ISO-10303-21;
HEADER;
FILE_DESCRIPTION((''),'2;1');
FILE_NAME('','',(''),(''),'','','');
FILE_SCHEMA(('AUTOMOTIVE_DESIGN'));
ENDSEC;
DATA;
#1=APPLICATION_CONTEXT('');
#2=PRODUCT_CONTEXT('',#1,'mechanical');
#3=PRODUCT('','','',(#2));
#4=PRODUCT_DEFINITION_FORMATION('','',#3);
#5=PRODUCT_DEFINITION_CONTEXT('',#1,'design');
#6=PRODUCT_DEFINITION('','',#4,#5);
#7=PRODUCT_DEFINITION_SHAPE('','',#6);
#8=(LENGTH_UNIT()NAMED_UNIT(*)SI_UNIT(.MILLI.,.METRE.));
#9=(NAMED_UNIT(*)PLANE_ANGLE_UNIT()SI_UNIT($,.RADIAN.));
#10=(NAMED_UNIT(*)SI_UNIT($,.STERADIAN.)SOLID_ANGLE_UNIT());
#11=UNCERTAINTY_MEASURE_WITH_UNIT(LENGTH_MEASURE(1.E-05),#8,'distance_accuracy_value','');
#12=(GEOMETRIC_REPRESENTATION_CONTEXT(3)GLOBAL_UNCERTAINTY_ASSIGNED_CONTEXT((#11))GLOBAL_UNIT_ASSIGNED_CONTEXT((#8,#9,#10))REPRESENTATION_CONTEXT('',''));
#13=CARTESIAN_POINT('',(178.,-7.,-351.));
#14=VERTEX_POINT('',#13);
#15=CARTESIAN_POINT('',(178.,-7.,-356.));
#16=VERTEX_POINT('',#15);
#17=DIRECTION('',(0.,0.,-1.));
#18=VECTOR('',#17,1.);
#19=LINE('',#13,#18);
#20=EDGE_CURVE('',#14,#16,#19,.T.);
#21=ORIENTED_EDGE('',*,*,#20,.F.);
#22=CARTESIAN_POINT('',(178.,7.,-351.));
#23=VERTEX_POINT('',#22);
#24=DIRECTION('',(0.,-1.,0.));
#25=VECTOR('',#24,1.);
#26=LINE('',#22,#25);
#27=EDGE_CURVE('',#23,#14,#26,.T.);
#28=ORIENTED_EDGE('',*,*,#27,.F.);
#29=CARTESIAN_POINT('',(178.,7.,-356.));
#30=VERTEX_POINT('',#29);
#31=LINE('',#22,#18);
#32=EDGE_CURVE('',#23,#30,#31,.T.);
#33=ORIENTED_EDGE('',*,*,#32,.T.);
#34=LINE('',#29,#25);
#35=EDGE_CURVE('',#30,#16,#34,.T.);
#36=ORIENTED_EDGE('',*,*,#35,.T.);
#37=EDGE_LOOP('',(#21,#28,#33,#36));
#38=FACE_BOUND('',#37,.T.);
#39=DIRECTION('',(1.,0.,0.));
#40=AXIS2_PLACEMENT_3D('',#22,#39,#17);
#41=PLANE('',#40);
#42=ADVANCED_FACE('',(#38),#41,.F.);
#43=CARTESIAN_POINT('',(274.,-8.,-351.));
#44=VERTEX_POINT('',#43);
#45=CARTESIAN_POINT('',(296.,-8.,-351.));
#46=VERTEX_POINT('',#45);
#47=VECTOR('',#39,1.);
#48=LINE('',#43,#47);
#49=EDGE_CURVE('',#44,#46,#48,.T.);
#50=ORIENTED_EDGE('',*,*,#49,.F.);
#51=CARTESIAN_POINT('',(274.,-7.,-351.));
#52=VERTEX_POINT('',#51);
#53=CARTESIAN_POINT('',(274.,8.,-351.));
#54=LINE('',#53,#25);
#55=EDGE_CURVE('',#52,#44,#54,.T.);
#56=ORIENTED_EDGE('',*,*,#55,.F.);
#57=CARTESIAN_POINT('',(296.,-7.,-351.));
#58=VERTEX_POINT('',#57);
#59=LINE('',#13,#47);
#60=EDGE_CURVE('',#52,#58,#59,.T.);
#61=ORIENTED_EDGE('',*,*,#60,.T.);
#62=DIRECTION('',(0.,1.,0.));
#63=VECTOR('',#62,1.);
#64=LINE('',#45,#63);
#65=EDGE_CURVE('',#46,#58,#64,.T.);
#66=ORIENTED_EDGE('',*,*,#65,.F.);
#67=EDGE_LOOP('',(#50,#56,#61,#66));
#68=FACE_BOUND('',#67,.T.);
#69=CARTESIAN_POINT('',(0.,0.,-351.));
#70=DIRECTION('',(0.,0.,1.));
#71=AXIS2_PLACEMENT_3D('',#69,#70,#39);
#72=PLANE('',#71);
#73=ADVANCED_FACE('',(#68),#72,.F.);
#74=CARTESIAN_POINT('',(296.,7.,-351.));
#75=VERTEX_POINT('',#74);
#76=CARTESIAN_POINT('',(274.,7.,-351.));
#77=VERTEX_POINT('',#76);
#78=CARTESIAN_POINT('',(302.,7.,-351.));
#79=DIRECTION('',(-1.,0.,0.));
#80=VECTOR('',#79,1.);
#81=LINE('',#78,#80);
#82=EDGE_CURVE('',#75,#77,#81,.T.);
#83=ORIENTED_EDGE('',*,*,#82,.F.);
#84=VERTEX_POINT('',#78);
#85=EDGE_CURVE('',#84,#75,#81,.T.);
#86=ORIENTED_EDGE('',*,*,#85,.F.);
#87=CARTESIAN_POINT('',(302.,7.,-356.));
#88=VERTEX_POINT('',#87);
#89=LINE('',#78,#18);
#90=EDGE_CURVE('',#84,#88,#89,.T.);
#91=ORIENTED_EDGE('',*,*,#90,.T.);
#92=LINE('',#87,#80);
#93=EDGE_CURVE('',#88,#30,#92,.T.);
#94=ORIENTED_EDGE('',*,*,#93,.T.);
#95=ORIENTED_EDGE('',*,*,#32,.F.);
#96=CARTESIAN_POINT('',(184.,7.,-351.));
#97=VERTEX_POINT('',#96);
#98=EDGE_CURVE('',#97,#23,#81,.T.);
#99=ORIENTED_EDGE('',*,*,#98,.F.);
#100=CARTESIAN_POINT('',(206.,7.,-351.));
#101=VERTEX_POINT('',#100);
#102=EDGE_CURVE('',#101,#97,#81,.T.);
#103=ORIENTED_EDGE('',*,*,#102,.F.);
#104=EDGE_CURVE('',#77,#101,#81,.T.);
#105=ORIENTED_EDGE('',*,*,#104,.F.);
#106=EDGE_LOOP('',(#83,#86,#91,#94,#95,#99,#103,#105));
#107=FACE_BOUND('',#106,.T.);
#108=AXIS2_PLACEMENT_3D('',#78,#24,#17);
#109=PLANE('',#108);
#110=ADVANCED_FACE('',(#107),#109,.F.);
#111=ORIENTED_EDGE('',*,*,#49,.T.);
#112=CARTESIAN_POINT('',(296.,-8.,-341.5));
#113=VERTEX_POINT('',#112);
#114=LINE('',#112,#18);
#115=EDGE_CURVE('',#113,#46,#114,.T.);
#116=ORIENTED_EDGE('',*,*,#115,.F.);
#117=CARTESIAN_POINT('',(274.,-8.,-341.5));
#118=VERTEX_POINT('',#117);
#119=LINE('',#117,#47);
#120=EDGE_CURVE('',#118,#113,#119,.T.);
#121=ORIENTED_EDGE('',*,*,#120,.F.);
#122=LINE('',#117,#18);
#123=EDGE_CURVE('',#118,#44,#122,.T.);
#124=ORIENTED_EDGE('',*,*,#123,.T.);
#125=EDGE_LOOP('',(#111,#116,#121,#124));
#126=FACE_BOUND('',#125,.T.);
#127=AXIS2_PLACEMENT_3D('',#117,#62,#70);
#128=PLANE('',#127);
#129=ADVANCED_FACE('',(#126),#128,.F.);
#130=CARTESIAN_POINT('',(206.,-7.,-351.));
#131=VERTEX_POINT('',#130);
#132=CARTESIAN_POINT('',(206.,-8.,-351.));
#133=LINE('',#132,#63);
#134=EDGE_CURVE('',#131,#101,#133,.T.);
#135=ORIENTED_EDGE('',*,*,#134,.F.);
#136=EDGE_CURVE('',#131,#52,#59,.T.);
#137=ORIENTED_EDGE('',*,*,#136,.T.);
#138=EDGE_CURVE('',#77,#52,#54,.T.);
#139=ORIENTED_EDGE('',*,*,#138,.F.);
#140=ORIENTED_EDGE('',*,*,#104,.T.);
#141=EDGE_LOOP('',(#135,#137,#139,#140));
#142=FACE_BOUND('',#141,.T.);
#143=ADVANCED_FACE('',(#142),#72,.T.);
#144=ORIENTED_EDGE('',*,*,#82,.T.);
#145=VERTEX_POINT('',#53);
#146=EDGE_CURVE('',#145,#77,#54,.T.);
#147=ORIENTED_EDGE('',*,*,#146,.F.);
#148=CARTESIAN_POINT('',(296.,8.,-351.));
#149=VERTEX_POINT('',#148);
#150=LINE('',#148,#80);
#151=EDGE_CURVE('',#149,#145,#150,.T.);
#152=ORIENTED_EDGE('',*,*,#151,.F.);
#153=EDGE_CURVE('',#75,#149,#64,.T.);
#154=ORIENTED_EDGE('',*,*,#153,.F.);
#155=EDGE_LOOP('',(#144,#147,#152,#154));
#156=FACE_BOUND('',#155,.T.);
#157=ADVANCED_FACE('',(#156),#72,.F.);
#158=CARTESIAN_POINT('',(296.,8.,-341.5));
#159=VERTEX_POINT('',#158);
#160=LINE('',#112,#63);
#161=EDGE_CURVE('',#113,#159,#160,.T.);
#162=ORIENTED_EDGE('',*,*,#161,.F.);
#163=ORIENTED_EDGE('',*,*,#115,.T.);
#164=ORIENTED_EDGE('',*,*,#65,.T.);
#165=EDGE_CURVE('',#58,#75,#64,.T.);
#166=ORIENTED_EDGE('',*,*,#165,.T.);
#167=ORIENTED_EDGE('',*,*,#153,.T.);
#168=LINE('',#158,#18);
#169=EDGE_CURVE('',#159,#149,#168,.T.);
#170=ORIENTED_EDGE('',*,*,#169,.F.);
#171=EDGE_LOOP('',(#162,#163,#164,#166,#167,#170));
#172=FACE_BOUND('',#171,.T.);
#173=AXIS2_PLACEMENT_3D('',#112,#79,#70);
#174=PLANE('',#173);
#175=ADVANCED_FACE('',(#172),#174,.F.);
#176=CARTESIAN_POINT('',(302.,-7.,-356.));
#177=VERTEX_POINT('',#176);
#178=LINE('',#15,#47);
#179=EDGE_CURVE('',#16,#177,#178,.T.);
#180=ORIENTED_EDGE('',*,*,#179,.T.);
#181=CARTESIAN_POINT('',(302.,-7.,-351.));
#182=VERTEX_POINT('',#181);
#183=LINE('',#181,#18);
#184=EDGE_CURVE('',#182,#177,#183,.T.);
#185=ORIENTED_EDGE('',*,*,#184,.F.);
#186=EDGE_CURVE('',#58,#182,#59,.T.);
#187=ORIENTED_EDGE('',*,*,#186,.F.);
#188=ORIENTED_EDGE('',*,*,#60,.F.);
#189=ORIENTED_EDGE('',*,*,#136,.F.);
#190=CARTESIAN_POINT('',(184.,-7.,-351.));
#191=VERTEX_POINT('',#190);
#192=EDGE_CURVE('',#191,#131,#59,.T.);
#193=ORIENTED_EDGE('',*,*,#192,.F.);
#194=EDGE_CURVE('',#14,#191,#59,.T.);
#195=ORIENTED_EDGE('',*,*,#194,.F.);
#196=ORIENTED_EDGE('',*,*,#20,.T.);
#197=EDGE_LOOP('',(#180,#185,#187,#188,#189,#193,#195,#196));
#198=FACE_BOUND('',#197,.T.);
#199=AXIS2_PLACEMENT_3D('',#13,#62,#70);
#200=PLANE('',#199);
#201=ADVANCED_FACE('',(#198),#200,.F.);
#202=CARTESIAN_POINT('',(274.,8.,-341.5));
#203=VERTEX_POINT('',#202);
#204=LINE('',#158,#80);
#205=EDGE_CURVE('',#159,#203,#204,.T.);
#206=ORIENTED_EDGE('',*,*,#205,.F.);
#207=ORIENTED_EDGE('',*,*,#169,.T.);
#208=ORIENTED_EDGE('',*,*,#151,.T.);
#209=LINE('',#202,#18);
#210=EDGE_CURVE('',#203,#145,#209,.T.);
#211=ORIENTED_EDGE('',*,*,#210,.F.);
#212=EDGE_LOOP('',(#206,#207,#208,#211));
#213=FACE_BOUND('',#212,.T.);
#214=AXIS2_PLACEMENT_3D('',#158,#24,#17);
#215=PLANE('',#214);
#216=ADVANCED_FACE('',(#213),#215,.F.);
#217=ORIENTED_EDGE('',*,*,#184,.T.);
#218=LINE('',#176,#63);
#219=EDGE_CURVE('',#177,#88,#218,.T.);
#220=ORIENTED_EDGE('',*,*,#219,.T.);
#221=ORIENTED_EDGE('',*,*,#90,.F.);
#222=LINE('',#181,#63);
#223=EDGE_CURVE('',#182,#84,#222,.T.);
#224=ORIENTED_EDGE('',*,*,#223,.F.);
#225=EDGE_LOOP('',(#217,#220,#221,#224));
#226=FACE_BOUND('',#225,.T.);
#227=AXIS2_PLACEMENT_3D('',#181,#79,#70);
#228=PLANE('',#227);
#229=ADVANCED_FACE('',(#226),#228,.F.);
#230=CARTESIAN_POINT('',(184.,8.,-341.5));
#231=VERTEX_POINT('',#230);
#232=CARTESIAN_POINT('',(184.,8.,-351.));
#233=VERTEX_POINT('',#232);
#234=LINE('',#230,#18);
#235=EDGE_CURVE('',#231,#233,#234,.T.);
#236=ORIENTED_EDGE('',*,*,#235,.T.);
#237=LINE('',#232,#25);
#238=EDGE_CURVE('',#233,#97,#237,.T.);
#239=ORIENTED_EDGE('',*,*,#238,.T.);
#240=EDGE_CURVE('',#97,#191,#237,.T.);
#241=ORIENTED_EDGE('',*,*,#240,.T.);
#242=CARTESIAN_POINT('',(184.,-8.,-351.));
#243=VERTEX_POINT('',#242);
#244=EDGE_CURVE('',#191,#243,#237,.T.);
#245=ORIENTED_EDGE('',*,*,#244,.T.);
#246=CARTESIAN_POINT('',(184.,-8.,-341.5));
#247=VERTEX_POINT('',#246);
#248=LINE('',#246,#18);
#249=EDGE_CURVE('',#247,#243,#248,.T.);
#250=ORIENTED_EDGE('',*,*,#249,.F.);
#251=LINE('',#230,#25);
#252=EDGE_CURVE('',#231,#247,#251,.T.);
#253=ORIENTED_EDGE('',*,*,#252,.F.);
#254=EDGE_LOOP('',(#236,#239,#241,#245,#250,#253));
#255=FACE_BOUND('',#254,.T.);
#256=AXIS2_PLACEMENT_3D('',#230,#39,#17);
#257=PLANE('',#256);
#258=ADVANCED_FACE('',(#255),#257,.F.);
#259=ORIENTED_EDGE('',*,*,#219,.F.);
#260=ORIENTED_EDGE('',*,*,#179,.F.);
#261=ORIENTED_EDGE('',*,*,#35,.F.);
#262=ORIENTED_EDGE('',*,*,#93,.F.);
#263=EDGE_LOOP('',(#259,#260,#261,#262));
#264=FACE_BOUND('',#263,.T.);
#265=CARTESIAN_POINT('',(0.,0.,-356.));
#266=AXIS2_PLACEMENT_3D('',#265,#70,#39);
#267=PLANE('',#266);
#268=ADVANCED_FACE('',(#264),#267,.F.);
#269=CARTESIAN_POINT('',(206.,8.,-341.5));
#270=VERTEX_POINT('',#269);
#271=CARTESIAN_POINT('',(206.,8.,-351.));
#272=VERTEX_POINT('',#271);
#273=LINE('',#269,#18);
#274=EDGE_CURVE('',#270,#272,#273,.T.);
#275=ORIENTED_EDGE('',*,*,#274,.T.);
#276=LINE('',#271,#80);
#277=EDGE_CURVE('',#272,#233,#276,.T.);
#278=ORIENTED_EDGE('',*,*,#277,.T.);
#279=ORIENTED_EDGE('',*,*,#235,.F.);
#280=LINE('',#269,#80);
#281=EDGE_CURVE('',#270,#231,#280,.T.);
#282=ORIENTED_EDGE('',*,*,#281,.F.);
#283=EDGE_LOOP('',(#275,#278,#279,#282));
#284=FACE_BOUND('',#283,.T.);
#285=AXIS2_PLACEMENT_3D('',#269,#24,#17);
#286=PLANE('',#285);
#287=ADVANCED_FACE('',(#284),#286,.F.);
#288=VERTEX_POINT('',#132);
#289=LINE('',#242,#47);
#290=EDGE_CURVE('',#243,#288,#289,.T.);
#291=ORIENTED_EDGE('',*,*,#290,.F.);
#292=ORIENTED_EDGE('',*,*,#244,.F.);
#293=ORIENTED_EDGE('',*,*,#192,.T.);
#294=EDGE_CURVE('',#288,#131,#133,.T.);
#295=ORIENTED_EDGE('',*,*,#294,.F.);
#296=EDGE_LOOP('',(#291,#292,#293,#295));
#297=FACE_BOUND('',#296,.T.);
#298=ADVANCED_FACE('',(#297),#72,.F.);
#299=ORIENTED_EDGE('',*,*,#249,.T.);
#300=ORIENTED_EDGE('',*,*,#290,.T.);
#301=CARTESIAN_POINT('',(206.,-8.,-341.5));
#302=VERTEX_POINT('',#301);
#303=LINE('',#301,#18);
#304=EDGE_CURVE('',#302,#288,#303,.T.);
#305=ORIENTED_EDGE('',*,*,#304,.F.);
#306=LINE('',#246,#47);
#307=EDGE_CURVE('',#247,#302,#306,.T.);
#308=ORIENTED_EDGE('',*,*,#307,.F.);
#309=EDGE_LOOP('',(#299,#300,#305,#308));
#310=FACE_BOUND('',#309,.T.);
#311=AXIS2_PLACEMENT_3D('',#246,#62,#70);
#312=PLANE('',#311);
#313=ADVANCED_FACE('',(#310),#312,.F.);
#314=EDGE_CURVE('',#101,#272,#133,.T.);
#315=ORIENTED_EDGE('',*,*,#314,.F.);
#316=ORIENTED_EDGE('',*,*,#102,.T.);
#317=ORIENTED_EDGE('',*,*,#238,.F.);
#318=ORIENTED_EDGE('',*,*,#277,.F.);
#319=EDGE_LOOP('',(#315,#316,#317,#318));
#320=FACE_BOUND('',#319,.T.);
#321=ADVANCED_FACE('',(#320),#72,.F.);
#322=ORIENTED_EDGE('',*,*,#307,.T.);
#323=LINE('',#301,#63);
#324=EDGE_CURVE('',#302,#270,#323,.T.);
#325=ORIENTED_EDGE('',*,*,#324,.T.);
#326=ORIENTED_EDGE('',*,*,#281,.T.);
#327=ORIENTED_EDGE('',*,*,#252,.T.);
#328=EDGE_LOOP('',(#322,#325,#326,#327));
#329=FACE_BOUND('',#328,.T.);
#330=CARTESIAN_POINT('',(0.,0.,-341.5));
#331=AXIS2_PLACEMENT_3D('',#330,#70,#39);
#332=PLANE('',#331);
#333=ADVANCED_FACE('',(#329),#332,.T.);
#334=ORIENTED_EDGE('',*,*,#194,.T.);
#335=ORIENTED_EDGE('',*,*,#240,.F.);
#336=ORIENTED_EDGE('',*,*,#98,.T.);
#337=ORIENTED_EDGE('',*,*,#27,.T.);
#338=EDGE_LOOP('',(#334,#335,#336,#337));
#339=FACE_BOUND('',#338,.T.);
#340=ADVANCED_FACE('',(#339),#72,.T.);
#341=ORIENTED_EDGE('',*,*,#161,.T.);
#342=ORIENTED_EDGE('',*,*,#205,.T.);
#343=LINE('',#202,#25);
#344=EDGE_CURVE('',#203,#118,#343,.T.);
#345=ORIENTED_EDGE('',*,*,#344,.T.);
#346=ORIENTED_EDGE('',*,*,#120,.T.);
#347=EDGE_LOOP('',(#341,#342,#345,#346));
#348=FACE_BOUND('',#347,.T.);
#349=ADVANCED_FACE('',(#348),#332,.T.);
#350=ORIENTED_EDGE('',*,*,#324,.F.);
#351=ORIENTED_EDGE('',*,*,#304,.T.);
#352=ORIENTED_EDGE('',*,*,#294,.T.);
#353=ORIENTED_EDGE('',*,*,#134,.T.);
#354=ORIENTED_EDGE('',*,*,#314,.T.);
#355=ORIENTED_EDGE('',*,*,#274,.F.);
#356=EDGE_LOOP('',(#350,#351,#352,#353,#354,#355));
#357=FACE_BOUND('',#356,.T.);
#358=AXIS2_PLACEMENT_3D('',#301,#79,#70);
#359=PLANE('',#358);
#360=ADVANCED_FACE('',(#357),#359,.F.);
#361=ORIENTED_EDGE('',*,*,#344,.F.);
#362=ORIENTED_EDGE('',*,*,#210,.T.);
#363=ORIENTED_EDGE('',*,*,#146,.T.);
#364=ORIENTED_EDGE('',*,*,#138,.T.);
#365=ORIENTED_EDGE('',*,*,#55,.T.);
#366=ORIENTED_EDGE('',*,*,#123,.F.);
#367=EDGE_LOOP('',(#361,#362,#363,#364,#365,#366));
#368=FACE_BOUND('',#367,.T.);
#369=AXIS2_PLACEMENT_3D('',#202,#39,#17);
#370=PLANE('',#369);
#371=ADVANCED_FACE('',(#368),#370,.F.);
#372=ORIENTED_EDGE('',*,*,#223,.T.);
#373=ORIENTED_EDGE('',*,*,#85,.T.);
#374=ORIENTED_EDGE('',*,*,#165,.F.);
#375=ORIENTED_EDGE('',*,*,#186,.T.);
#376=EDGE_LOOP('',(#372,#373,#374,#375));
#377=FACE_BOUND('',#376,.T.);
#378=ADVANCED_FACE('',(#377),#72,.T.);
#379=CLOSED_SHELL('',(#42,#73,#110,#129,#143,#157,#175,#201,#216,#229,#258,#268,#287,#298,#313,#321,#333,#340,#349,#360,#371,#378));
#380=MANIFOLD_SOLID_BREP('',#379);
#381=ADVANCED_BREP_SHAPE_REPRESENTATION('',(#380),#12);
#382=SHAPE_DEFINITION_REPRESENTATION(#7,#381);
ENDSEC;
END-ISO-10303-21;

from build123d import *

# Parameters (mm, degrees)
EXTRUDE_START      = -356
EXTRUDE_SKETCH_1_W = 124
EXTRUDE_SKETCH_1_H = 14
EXTRUDE_1_DEPTH    = 5
EXTRUDE_START_2    = -351
EXTRUDE_SKETCH_2_W = 22
EXTRUDE_SKETCH_2_H = 16
EXTRUDE_2_DEPTH    = 9.5
EXTRUDE_SKETCH_3_W = 22
EXTRUDE_SKETCH_3_H = 16
EXTRUDE_3_DEPTH    = 9.5


with BuildPart() as part:
    # Extrude sketch 1 → Extrude 1 (new body)
    with BuildSketch(Plane.XY.offset(EXTRUDE_START)):
        with Locations((240, 0)):
            Rectangle(EXTRUDE_SKETCH_1_W, EXTRUDE_SKETCH_1_H)
    extrude(amount=EXTRUDE_1_DEPTH)


with BuildPart() as body_2:
    # Extrude sketch 2 → Extrude 2 (new body)
    with BuildSketch(Plane.XY.offset(EXTRUDE_START_2)):
        with Locations((285, 0)):
            Rectangle(EXTRUDE_SKETCH_2_W, EXTRUDE_SKETCH_2_H)
    extrude(amount=EXTRUDE_2_DEPTH)


with BuildPart() as body_3:
    # Extrude sketch 3 → Extrude 3 (new body)
    with BuildSketch(Plane.XY.offset(EXTRUDE_START_2)):
        with Locations((195, 0)):
            Rectangle(EXTRUDE_SKETCH_3_W, EXTRUDE_SKETCH_3_H)
    extrude(amount=EXTRUDE_3_DEPTH)


with BuildPart() as part_1:
    add(part.part)

    # Combine (weld / assembly of features): union body 2, body 3
    add(body_2.part)
    add(body_3.part)


solid = part_1.part
